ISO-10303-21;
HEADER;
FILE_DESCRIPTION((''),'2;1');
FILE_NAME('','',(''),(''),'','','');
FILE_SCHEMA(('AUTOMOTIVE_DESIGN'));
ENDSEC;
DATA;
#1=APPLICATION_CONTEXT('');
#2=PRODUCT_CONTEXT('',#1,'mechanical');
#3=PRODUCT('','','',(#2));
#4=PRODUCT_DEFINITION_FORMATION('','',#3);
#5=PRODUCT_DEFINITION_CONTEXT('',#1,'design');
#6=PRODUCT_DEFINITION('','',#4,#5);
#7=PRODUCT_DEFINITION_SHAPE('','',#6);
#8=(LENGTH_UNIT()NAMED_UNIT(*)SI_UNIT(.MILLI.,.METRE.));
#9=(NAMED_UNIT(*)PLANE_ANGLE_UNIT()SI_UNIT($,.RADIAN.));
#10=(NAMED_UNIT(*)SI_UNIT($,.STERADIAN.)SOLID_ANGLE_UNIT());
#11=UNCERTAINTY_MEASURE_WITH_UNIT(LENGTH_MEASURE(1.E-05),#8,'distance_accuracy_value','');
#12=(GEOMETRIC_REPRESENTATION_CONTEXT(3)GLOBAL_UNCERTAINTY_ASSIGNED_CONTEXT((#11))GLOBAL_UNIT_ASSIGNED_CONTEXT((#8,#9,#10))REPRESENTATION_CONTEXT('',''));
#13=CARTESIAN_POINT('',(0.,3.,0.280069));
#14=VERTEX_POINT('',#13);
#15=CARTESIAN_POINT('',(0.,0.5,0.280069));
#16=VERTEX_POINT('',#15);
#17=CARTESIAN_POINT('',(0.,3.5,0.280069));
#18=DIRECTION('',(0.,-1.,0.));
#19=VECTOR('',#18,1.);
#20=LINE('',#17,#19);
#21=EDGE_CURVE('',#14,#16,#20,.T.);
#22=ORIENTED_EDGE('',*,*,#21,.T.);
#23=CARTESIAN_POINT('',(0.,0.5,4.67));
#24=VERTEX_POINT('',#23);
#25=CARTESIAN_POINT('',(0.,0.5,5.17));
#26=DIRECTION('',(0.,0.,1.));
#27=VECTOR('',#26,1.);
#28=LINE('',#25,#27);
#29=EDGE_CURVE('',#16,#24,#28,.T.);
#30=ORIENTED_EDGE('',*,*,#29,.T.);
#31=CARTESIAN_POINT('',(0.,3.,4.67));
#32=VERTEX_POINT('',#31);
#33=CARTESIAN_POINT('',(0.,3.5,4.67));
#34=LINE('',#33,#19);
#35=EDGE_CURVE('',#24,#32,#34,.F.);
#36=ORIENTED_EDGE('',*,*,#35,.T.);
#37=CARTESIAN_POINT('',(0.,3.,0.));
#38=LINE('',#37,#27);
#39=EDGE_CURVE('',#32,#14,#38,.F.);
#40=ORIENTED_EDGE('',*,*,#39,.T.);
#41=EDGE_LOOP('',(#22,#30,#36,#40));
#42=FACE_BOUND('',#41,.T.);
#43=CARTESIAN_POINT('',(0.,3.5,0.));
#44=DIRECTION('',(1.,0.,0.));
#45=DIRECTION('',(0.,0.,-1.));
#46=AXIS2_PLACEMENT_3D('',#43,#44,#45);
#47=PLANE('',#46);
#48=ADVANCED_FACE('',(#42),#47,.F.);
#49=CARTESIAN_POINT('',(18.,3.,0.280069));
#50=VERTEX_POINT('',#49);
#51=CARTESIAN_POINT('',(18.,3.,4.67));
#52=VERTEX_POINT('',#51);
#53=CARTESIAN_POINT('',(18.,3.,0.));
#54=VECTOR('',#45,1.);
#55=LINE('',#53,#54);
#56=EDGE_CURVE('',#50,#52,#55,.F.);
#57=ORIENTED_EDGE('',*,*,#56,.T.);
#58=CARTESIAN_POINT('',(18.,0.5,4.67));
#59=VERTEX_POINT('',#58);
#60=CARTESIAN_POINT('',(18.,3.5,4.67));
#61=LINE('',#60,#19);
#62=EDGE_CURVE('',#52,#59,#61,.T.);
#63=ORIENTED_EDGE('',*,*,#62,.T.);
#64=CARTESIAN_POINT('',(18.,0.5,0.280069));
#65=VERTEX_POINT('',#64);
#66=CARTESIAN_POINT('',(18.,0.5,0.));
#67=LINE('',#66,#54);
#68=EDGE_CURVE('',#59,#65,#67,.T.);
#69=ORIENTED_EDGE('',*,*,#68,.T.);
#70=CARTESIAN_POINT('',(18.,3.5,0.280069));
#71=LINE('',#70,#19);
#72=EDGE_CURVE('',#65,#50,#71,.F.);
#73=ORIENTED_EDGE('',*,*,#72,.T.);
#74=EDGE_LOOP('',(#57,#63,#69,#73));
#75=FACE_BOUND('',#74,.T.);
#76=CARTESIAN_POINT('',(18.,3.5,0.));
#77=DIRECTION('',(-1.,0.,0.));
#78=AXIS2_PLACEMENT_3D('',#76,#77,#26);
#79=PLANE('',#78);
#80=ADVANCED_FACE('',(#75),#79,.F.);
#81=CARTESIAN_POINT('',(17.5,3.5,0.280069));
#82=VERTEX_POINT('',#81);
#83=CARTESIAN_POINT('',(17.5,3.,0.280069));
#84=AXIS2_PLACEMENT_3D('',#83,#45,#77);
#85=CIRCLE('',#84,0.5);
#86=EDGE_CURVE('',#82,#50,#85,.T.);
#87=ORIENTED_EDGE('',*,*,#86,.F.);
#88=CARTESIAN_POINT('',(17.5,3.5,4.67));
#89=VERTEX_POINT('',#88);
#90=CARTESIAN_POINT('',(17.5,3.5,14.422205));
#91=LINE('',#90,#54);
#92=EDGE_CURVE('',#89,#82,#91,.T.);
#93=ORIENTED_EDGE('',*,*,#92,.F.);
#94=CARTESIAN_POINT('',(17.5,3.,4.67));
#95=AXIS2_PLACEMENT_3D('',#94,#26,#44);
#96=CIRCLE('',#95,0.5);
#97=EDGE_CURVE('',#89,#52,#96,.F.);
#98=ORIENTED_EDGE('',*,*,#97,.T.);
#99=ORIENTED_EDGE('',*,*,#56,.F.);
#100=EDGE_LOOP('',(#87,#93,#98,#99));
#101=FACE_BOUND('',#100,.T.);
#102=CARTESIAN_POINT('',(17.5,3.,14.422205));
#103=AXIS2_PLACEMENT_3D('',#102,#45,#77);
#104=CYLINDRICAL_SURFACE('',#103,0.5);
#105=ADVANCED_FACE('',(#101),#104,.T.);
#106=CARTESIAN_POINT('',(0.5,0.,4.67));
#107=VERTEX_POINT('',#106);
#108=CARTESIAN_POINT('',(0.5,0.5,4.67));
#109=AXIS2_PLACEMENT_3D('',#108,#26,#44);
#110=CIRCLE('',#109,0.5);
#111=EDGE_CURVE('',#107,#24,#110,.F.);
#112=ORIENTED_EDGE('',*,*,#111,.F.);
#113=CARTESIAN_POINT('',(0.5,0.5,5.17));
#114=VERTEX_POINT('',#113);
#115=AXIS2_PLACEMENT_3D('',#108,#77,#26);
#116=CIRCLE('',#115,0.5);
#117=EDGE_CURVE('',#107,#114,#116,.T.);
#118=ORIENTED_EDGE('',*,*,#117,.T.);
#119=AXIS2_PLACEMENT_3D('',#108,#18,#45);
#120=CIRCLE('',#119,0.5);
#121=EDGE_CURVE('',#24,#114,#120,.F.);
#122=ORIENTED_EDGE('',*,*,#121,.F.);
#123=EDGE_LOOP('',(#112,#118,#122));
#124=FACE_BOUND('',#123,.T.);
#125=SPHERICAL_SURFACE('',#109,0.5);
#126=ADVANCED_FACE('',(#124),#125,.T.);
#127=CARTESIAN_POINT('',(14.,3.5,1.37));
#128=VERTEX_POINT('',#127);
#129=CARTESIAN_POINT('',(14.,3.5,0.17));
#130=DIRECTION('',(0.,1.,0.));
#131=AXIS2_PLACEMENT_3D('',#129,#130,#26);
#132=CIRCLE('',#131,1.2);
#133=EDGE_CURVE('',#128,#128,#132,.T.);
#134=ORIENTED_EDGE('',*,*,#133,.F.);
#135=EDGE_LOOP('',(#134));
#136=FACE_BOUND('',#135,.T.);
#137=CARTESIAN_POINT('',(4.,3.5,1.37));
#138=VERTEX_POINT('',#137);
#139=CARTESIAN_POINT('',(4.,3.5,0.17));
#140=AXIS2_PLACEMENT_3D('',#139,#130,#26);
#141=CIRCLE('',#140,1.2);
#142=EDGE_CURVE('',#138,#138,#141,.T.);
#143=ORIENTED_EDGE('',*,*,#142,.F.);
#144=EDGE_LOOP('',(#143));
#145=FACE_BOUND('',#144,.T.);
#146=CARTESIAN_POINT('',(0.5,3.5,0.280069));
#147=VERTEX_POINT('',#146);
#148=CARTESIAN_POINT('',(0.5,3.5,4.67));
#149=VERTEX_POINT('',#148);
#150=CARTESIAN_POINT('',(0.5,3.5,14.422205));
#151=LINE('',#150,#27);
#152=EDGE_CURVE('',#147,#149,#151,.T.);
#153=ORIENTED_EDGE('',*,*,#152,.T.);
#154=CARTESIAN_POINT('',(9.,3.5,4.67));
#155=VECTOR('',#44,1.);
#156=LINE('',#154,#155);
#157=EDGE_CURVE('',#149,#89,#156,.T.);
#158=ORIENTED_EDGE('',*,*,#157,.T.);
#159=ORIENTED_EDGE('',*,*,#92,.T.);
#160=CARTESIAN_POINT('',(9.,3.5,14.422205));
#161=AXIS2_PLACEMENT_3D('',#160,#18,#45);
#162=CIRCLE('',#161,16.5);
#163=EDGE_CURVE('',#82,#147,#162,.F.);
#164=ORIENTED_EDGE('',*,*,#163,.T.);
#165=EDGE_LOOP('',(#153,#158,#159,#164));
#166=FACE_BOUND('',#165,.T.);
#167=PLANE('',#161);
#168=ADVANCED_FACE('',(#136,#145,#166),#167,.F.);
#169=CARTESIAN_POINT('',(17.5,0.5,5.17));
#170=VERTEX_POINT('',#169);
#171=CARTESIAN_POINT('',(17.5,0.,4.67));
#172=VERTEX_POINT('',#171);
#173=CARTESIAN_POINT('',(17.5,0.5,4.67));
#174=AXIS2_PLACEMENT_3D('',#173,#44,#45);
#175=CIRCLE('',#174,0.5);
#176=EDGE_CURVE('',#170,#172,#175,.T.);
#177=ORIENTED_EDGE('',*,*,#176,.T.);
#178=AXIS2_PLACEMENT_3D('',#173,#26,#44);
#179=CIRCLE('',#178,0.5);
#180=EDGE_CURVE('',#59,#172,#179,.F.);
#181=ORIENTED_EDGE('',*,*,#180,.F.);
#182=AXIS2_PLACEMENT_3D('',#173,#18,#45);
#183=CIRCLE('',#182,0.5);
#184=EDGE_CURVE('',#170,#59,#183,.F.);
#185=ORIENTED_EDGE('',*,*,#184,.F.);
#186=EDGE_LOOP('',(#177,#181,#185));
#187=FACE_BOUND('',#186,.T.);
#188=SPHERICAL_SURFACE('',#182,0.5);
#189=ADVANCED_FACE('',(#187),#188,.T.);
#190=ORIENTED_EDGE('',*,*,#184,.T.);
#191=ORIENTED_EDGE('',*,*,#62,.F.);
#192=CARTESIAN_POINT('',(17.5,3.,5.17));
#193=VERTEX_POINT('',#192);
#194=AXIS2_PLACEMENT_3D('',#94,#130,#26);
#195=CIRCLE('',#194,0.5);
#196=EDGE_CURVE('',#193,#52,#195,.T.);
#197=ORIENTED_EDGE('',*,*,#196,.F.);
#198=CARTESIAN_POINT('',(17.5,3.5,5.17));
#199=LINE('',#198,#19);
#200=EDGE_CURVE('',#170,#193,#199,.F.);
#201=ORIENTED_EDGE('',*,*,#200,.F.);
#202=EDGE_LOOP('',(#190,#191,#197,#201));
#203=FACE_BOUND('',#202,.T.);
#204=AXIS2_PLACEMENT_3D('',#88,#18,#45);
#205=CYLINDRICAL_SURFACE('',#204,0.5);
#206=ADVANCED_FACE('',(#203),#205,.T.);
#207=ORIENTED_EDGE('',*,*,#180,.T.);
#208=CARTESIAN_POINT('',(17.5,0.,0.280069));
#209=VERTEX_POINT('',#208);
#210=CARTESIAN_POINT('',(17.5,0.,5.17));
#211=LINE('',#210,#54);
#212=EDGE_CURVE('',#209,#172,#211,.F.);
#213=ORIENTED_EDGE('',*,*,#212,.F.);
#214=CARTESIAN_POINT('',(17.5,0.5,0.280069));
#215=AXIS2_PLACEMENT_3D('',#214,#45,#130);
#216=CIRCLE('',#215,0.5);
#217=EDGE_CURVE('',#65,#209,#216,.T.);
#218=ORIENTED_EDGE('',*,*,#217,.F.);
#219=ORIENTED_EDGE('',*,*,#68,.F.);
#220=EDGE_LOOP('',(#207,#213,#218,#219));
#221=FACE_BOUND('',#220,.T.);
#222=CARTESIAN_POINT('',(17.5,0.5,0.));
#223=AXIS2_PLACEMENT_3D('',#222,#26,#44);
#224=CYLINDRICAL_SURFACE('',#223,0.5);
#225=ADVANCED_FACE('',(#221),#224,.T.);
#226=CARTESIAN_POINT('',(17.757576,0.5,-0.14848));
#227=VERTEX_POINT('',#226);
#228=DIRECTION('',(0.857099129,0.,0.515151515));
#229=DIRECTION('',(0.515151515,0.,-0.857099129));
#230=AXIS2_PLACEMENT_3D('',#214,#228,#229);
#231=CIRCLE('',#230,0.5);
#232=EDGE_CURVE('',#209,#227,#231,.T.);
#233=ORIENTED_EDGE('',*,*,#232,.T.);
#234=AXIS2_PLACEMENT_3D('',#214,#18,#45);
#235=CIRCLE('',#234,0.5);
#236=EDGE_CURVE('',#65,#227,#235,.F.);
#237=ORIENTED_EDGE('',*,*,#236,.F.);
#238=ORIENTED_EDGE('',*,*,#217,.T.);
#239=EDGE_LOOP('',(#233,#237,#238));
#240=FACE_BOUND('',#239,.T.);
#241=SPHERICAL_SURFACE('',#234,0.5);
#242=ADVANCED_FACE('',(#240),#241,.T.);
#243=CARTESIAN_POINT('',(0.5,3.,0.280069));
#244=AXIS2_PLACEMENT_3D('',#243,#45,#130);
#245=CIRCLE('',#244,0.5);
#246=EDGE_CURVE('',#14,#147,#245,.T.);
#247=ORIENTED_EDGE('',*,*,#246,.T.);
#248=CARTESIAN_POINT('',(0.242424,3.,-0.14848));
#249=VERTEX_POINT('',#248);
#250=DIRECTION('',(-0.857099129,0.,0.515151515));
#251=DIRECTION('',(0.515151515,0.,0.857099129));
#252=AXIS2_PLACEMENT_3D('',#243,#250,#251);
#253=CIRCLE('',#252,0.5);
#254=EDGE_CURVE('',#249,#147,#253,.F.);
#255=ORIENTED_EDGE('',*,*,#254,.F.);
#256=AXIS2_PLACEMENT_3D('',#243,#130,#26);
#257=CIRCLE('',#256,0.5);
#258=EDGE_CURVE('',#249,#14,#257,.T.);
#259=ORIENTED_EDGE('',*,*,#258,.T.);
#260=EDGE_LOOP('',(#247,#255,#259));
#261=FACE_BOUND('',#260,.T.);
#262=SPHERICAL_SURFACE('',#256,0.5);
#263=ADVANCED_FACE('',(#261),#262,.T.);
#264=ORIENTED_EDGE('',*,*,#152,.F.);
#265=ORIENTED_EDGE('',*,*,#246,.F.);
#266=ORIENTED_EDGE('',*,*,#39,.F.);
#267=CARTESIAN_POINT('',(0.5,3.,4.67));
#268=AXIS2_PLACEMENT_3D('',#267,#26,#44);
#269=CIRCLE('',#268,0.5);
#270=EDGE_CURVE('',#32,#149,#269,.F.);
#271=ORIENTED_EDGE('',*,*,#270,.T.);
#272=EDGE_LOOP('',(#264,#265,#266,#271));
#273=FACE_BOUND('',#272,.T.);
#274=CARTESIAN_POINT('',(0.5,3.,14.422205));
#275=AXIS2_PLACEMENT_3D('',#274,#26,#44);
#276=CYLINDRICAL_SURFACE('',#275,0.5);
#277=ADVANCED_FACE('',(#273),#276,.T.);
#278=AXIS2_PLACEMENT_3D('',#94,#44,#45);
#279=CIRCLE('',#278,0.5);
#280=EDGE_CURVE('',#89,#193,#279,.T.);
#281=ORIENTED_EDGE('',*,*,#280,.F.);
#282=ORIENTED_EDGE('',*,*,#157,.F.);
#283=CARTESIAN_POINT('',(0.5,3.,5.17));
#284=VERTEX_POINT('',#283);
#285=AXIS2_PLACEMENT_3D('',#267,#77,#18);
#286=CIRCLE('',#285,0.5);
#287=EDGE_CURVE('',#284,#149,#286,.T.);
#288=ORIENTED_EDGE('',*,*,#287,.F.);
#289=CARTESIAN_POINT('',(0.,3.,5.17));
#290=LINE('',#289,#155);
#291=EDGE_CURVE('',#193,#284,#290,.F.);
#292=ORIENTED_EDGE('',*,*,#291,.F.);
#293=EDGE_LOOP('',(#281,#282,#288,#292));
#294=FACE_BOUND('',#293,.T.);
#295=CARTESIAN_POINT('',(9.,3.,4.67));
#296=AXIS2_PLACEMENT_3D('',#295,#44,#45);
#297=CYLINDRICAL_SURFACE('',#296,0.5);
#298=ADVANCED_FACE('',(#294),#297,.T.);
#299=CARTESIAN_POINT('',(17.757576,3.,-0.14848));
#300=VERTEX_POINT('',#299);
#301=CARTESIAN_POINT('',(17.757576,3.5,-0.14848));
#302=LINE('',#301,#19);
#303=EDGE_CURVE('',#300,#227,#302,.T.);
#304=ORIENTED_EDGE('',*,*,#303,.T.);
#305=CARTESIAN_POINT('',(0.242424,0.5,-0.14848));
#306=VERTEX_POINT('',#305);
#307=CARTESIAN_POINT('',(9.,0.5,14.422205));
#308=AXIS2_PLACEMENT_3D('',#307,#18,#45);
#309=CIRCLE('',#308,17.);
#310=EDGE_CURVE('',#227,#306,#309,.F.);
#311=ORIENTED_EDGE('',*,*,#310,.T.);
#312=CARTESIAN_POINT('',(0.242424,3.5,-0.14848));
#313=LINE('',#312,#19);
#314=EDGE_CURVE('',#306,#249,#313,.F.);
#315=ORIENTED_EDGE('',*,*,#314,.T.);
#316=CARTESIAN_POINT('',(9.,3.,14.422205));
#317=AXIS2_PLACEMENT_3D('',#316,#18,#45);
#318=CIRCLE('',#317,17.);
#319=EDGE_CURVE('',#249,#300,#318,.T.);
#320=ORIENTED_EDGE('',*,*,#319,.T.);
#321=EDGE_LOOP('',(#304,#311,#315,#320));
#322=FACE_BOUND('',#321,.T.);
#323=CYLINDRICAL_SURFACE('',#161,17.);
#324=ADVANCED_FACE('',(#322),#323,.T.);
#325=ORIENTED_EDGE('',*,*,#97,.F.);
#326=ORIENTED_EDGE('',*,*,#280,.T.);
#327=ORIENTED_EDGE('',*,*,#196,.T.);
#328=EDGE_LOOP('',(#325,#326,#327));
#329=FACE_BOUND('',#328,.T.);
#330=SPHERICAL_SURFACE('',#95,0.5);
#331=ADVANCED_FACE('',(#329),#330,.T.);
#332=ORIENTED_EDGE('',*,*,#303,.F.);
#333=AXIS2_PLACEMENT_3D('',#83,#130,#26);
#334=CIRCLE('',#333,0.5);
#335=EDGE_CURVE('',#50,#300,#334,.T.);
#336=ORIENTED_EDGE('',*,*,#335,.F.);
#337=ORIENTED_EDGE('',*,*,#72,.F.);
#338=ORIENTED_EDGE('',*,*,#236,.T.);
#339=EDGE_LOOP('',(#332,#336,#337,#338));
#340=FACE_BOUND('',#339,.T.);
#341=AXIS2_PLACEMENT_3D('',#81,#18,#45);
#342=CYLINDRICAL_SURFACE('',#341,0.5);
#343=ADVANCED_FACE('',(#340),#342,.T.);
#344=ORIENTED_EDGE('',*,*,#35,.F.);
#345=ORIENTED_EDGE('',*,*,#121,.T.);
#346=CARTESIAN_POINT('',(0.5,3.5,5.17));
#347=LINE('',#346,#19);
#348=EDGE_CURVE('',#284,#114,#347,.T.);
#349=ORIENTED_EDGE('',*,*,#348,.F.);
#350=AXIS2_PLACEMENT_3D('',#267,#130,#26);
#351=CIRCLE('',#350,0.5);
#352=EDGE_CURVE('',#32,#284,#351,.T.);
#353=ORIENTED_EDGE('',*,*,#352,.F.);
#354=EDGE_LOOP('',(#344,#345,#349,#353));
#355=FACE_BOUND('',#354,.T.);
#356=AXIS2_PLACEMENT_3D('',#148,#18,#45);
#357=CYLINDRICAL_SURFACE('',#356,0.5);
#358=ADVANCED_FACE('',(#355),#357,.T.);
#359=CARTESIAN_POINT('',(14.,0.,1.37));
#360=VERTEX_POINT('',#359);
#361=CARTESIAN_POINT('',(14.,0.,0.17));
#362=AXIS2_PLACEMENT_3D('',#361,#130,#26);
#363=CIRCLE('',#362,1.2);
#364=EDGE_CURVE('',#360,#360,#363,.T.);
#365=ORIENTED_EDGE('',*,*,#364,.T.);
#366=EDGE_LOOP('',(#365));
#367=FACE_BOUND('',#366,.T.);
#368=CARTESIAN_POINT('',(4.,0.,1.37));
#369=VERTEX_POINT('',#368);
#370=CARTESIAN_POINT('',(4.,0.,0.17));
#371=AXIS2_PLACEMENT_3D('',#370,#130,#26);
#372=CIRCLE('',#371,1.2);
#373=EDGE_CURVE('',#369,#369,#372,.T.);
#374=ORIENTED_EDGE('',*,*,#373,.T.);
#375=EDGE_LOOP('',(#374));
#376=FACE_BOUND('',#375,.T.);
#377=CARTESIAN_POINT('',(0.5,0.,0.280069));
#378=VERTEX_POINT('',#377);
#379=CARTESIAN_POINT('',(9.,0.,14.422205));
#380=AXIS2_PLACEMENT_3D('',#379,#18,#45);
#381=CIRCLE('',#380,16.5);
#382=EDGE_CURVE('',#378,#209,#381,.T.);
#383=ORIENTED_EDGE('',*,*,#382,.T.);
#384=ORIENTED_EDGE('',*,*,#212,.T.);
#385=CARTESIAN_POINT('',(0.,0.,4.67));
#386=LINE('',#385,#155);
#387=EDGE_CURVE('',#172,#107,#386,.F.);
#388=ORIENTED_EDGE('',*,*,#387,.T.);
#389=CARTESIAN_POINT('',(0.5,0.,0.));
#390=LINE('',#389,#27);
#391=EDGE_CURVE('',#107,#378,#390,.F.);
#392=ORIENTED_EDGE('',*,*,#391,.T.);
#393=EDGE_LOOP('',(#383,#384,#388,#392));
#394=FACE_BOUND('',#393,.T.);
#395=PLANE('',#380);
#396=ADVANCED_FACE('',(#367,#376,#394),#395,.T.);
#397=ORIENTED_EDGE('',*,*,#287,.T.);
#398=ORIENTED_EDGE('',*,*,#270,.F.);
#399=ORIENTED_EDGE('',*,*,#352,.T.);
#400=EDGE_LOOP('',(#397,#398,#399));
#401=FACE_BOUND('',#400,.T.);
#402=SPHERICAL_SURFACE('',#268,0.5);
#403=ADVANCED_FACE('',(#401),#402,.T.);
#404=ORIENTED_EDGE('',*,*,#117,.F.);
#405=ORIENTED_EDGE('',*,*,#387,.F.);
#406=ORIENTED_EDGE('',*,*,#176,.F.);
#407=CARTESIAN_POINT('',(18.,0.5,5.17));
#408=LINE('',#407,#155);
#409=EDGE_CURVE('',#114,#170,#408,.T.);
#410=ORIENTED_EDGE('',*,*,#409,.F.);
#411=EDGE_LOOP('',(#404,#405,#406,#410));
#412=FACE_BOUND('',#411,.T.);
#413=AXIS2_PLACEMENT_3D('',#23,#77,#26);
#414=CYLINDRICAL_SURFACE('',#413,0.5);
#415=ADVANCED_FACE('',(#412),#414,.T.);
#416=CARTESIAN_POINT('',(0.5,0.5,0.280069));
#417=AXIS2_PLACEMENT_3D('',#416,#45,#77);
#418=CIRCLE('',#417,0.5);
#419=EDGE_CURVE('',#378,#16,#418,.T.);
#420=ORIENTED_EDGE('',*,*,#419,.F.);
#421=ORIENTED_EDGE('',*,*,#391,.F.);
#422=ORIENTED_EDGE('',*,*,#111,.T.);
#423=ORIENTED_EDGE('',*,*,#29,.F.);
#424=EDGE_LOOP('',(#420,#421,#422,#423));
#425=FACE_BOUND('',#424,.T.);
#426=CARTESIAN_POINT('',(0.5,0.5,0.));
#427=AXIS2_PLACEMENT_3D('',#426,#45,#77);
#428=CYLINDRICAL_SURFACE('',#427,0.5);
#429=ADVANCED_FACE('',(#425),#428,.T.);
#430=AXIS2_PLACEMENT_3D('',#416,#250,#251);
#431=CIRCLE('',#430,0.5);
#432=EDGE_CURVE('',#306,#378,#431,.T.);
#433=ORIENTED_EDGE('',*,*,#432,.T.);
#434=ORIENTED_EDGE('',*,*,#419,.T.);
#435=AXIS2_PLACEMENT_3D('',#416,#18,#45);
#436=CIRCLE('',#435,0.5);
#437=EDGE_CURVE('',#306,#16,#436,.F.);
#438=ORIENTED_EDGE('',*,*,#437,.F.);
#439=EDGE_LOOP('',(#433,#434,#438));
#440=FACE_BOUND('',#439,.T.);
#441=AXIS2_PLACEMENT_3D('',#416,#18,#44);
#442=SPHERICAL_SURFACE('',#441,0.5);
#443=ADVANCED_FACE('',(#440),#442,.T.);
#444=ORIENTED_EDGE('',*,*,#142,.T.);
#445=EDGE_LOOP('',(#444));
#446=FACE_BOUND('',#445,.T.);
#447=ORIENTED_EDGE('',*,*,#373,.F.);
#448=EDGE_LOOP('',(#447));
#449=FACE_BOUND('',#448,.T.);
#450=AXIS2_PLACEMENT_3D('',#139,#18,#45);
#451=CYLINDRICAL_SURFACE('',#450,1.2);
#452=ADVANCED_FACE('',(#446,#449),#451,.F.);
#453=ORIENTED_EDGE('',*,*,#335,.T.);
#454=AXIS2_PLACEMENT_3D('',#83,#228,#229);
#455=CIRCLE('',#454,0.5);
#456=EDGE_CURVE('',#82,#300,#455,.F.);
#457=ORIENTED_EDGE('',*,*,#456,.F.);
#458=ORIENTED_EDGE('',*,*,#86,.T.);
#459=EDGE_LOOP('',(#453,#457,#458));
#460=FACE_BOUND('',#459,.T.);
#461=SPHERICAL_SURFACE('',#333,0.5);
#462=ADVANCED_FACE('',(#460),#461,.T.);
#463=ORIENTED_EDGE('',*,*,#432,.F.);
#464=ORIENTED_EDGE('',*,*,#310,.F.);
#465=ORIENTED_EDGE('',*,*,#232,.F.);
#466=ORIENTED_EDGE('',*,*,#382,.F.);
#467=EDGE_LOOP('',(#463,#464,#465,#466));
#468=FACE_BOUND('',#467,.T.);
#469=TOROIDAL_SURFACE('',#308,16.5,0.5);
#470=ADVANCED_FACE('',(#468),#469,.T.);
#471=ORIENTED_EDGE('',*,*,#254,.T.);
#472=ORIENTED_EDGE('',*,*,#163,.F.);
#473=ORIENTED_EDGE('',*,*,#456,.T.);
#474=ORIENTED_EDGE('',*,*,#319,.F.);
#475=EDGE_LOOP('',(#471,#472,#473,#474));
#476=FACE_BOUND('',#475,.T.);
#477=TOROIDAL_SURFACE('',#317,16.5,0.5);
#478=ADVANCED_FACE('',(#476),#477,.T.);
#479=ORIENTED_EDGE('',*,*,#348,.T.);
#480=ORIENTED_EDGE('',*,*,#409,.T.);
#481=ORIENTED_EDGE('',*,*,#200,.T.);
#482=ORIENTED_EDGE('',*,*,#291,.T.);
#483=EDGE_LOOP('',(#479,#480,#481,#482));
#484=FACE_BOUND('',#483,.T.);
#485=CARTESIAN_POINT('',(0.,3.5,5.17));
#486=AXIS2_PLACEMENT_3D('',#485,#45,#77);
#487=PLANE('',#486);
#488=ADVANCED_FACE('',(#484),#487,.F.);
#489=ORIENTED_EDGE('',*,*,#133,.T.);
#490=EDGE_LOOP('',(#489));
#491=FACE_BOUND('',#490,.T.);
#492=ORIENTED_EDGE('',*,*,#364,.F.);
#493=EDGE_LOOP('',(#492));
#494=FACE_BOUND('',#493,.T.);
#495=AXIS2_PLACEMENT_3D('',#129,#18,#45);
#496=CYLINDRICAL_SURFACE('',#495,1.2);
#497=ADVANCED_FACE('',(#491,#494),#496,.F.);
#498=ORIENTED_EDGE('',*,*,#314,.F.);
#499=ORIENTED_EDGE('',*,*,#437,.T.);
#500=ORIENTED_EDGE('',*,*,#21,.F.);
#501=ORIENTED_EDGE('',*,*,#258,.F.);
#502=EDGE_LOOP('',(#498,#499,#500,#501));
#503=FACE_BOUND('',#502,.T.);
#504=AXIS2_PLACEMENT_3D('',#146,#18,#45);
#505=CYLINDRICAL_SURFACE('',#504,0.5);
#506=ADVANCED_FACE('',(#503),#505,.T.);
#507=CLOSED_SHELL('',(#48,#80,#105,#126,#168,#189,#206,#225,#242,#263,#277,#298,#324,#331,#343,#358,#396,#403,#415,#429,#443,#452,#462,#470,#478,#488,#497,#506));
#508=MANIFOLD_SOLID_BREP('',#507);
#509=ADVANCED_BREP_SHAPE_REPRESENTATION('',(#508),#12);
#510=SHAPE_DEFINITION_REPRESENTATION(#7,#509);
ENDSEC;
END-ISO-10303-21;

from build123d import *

# Parameters (mm, degrees)
SKETCH1_R           = 1.2
BOSS_EXTRUDE1_DEPTH = 3.5
FILLET1_R           = 0.5


with BuildPart() as part:
    # Sketch1 → Boss-Extrude1 (new body)
    with BuildSketch(Plane(origin=(0, 0, 0), x_dir=(1, 0, 0), z_dir=(0, 1, 0))):
        with BuildLine():
            Line((0, 0), (0, -5.17))
            Line((0, -5.17), (18, -5.17))
            Line((18, -5.17), (18, 0))
            ThreePointArc((18, 0), (9, 2.577794898), (0, 0))
        make_face()
        with Locations(Location((4, -0.17, 0), (0, 0, 270))):
            Circle(SKETCH1_R, mode=Mode.SUBTRACT)
        with Locations(Location((14, -0.17, 0), (0, 0, 270))):
            Circle(SKETCH1_R, mode=Mode.SUBTRACT)
    extrude(amount=BOSS_EXTRUDE1_DEPTH)

    # Fillet1
    fillet1_edges = [part.edges().sort_by_distance(p)[0] for p in [
        (0, 3.5, 2.585),
        (9, 3.5, 5.17),
        (18, 3.5, 2.585),
        (9, 0, 5.17),
        (0, 0, 2.585),
        (9, 0, -2.577794898),
        (18, 0, 2.585),
        (18, 1.75, 5.17),
        (0, 1.75, 5.17),
        (0, 1.75, 0),
        (18, 1.75, 0),
        (9, 3.5, -2.577794898),
    ]]
    fillet(fillet1_edges, radius=FILLET1_R)


solid = part.part
